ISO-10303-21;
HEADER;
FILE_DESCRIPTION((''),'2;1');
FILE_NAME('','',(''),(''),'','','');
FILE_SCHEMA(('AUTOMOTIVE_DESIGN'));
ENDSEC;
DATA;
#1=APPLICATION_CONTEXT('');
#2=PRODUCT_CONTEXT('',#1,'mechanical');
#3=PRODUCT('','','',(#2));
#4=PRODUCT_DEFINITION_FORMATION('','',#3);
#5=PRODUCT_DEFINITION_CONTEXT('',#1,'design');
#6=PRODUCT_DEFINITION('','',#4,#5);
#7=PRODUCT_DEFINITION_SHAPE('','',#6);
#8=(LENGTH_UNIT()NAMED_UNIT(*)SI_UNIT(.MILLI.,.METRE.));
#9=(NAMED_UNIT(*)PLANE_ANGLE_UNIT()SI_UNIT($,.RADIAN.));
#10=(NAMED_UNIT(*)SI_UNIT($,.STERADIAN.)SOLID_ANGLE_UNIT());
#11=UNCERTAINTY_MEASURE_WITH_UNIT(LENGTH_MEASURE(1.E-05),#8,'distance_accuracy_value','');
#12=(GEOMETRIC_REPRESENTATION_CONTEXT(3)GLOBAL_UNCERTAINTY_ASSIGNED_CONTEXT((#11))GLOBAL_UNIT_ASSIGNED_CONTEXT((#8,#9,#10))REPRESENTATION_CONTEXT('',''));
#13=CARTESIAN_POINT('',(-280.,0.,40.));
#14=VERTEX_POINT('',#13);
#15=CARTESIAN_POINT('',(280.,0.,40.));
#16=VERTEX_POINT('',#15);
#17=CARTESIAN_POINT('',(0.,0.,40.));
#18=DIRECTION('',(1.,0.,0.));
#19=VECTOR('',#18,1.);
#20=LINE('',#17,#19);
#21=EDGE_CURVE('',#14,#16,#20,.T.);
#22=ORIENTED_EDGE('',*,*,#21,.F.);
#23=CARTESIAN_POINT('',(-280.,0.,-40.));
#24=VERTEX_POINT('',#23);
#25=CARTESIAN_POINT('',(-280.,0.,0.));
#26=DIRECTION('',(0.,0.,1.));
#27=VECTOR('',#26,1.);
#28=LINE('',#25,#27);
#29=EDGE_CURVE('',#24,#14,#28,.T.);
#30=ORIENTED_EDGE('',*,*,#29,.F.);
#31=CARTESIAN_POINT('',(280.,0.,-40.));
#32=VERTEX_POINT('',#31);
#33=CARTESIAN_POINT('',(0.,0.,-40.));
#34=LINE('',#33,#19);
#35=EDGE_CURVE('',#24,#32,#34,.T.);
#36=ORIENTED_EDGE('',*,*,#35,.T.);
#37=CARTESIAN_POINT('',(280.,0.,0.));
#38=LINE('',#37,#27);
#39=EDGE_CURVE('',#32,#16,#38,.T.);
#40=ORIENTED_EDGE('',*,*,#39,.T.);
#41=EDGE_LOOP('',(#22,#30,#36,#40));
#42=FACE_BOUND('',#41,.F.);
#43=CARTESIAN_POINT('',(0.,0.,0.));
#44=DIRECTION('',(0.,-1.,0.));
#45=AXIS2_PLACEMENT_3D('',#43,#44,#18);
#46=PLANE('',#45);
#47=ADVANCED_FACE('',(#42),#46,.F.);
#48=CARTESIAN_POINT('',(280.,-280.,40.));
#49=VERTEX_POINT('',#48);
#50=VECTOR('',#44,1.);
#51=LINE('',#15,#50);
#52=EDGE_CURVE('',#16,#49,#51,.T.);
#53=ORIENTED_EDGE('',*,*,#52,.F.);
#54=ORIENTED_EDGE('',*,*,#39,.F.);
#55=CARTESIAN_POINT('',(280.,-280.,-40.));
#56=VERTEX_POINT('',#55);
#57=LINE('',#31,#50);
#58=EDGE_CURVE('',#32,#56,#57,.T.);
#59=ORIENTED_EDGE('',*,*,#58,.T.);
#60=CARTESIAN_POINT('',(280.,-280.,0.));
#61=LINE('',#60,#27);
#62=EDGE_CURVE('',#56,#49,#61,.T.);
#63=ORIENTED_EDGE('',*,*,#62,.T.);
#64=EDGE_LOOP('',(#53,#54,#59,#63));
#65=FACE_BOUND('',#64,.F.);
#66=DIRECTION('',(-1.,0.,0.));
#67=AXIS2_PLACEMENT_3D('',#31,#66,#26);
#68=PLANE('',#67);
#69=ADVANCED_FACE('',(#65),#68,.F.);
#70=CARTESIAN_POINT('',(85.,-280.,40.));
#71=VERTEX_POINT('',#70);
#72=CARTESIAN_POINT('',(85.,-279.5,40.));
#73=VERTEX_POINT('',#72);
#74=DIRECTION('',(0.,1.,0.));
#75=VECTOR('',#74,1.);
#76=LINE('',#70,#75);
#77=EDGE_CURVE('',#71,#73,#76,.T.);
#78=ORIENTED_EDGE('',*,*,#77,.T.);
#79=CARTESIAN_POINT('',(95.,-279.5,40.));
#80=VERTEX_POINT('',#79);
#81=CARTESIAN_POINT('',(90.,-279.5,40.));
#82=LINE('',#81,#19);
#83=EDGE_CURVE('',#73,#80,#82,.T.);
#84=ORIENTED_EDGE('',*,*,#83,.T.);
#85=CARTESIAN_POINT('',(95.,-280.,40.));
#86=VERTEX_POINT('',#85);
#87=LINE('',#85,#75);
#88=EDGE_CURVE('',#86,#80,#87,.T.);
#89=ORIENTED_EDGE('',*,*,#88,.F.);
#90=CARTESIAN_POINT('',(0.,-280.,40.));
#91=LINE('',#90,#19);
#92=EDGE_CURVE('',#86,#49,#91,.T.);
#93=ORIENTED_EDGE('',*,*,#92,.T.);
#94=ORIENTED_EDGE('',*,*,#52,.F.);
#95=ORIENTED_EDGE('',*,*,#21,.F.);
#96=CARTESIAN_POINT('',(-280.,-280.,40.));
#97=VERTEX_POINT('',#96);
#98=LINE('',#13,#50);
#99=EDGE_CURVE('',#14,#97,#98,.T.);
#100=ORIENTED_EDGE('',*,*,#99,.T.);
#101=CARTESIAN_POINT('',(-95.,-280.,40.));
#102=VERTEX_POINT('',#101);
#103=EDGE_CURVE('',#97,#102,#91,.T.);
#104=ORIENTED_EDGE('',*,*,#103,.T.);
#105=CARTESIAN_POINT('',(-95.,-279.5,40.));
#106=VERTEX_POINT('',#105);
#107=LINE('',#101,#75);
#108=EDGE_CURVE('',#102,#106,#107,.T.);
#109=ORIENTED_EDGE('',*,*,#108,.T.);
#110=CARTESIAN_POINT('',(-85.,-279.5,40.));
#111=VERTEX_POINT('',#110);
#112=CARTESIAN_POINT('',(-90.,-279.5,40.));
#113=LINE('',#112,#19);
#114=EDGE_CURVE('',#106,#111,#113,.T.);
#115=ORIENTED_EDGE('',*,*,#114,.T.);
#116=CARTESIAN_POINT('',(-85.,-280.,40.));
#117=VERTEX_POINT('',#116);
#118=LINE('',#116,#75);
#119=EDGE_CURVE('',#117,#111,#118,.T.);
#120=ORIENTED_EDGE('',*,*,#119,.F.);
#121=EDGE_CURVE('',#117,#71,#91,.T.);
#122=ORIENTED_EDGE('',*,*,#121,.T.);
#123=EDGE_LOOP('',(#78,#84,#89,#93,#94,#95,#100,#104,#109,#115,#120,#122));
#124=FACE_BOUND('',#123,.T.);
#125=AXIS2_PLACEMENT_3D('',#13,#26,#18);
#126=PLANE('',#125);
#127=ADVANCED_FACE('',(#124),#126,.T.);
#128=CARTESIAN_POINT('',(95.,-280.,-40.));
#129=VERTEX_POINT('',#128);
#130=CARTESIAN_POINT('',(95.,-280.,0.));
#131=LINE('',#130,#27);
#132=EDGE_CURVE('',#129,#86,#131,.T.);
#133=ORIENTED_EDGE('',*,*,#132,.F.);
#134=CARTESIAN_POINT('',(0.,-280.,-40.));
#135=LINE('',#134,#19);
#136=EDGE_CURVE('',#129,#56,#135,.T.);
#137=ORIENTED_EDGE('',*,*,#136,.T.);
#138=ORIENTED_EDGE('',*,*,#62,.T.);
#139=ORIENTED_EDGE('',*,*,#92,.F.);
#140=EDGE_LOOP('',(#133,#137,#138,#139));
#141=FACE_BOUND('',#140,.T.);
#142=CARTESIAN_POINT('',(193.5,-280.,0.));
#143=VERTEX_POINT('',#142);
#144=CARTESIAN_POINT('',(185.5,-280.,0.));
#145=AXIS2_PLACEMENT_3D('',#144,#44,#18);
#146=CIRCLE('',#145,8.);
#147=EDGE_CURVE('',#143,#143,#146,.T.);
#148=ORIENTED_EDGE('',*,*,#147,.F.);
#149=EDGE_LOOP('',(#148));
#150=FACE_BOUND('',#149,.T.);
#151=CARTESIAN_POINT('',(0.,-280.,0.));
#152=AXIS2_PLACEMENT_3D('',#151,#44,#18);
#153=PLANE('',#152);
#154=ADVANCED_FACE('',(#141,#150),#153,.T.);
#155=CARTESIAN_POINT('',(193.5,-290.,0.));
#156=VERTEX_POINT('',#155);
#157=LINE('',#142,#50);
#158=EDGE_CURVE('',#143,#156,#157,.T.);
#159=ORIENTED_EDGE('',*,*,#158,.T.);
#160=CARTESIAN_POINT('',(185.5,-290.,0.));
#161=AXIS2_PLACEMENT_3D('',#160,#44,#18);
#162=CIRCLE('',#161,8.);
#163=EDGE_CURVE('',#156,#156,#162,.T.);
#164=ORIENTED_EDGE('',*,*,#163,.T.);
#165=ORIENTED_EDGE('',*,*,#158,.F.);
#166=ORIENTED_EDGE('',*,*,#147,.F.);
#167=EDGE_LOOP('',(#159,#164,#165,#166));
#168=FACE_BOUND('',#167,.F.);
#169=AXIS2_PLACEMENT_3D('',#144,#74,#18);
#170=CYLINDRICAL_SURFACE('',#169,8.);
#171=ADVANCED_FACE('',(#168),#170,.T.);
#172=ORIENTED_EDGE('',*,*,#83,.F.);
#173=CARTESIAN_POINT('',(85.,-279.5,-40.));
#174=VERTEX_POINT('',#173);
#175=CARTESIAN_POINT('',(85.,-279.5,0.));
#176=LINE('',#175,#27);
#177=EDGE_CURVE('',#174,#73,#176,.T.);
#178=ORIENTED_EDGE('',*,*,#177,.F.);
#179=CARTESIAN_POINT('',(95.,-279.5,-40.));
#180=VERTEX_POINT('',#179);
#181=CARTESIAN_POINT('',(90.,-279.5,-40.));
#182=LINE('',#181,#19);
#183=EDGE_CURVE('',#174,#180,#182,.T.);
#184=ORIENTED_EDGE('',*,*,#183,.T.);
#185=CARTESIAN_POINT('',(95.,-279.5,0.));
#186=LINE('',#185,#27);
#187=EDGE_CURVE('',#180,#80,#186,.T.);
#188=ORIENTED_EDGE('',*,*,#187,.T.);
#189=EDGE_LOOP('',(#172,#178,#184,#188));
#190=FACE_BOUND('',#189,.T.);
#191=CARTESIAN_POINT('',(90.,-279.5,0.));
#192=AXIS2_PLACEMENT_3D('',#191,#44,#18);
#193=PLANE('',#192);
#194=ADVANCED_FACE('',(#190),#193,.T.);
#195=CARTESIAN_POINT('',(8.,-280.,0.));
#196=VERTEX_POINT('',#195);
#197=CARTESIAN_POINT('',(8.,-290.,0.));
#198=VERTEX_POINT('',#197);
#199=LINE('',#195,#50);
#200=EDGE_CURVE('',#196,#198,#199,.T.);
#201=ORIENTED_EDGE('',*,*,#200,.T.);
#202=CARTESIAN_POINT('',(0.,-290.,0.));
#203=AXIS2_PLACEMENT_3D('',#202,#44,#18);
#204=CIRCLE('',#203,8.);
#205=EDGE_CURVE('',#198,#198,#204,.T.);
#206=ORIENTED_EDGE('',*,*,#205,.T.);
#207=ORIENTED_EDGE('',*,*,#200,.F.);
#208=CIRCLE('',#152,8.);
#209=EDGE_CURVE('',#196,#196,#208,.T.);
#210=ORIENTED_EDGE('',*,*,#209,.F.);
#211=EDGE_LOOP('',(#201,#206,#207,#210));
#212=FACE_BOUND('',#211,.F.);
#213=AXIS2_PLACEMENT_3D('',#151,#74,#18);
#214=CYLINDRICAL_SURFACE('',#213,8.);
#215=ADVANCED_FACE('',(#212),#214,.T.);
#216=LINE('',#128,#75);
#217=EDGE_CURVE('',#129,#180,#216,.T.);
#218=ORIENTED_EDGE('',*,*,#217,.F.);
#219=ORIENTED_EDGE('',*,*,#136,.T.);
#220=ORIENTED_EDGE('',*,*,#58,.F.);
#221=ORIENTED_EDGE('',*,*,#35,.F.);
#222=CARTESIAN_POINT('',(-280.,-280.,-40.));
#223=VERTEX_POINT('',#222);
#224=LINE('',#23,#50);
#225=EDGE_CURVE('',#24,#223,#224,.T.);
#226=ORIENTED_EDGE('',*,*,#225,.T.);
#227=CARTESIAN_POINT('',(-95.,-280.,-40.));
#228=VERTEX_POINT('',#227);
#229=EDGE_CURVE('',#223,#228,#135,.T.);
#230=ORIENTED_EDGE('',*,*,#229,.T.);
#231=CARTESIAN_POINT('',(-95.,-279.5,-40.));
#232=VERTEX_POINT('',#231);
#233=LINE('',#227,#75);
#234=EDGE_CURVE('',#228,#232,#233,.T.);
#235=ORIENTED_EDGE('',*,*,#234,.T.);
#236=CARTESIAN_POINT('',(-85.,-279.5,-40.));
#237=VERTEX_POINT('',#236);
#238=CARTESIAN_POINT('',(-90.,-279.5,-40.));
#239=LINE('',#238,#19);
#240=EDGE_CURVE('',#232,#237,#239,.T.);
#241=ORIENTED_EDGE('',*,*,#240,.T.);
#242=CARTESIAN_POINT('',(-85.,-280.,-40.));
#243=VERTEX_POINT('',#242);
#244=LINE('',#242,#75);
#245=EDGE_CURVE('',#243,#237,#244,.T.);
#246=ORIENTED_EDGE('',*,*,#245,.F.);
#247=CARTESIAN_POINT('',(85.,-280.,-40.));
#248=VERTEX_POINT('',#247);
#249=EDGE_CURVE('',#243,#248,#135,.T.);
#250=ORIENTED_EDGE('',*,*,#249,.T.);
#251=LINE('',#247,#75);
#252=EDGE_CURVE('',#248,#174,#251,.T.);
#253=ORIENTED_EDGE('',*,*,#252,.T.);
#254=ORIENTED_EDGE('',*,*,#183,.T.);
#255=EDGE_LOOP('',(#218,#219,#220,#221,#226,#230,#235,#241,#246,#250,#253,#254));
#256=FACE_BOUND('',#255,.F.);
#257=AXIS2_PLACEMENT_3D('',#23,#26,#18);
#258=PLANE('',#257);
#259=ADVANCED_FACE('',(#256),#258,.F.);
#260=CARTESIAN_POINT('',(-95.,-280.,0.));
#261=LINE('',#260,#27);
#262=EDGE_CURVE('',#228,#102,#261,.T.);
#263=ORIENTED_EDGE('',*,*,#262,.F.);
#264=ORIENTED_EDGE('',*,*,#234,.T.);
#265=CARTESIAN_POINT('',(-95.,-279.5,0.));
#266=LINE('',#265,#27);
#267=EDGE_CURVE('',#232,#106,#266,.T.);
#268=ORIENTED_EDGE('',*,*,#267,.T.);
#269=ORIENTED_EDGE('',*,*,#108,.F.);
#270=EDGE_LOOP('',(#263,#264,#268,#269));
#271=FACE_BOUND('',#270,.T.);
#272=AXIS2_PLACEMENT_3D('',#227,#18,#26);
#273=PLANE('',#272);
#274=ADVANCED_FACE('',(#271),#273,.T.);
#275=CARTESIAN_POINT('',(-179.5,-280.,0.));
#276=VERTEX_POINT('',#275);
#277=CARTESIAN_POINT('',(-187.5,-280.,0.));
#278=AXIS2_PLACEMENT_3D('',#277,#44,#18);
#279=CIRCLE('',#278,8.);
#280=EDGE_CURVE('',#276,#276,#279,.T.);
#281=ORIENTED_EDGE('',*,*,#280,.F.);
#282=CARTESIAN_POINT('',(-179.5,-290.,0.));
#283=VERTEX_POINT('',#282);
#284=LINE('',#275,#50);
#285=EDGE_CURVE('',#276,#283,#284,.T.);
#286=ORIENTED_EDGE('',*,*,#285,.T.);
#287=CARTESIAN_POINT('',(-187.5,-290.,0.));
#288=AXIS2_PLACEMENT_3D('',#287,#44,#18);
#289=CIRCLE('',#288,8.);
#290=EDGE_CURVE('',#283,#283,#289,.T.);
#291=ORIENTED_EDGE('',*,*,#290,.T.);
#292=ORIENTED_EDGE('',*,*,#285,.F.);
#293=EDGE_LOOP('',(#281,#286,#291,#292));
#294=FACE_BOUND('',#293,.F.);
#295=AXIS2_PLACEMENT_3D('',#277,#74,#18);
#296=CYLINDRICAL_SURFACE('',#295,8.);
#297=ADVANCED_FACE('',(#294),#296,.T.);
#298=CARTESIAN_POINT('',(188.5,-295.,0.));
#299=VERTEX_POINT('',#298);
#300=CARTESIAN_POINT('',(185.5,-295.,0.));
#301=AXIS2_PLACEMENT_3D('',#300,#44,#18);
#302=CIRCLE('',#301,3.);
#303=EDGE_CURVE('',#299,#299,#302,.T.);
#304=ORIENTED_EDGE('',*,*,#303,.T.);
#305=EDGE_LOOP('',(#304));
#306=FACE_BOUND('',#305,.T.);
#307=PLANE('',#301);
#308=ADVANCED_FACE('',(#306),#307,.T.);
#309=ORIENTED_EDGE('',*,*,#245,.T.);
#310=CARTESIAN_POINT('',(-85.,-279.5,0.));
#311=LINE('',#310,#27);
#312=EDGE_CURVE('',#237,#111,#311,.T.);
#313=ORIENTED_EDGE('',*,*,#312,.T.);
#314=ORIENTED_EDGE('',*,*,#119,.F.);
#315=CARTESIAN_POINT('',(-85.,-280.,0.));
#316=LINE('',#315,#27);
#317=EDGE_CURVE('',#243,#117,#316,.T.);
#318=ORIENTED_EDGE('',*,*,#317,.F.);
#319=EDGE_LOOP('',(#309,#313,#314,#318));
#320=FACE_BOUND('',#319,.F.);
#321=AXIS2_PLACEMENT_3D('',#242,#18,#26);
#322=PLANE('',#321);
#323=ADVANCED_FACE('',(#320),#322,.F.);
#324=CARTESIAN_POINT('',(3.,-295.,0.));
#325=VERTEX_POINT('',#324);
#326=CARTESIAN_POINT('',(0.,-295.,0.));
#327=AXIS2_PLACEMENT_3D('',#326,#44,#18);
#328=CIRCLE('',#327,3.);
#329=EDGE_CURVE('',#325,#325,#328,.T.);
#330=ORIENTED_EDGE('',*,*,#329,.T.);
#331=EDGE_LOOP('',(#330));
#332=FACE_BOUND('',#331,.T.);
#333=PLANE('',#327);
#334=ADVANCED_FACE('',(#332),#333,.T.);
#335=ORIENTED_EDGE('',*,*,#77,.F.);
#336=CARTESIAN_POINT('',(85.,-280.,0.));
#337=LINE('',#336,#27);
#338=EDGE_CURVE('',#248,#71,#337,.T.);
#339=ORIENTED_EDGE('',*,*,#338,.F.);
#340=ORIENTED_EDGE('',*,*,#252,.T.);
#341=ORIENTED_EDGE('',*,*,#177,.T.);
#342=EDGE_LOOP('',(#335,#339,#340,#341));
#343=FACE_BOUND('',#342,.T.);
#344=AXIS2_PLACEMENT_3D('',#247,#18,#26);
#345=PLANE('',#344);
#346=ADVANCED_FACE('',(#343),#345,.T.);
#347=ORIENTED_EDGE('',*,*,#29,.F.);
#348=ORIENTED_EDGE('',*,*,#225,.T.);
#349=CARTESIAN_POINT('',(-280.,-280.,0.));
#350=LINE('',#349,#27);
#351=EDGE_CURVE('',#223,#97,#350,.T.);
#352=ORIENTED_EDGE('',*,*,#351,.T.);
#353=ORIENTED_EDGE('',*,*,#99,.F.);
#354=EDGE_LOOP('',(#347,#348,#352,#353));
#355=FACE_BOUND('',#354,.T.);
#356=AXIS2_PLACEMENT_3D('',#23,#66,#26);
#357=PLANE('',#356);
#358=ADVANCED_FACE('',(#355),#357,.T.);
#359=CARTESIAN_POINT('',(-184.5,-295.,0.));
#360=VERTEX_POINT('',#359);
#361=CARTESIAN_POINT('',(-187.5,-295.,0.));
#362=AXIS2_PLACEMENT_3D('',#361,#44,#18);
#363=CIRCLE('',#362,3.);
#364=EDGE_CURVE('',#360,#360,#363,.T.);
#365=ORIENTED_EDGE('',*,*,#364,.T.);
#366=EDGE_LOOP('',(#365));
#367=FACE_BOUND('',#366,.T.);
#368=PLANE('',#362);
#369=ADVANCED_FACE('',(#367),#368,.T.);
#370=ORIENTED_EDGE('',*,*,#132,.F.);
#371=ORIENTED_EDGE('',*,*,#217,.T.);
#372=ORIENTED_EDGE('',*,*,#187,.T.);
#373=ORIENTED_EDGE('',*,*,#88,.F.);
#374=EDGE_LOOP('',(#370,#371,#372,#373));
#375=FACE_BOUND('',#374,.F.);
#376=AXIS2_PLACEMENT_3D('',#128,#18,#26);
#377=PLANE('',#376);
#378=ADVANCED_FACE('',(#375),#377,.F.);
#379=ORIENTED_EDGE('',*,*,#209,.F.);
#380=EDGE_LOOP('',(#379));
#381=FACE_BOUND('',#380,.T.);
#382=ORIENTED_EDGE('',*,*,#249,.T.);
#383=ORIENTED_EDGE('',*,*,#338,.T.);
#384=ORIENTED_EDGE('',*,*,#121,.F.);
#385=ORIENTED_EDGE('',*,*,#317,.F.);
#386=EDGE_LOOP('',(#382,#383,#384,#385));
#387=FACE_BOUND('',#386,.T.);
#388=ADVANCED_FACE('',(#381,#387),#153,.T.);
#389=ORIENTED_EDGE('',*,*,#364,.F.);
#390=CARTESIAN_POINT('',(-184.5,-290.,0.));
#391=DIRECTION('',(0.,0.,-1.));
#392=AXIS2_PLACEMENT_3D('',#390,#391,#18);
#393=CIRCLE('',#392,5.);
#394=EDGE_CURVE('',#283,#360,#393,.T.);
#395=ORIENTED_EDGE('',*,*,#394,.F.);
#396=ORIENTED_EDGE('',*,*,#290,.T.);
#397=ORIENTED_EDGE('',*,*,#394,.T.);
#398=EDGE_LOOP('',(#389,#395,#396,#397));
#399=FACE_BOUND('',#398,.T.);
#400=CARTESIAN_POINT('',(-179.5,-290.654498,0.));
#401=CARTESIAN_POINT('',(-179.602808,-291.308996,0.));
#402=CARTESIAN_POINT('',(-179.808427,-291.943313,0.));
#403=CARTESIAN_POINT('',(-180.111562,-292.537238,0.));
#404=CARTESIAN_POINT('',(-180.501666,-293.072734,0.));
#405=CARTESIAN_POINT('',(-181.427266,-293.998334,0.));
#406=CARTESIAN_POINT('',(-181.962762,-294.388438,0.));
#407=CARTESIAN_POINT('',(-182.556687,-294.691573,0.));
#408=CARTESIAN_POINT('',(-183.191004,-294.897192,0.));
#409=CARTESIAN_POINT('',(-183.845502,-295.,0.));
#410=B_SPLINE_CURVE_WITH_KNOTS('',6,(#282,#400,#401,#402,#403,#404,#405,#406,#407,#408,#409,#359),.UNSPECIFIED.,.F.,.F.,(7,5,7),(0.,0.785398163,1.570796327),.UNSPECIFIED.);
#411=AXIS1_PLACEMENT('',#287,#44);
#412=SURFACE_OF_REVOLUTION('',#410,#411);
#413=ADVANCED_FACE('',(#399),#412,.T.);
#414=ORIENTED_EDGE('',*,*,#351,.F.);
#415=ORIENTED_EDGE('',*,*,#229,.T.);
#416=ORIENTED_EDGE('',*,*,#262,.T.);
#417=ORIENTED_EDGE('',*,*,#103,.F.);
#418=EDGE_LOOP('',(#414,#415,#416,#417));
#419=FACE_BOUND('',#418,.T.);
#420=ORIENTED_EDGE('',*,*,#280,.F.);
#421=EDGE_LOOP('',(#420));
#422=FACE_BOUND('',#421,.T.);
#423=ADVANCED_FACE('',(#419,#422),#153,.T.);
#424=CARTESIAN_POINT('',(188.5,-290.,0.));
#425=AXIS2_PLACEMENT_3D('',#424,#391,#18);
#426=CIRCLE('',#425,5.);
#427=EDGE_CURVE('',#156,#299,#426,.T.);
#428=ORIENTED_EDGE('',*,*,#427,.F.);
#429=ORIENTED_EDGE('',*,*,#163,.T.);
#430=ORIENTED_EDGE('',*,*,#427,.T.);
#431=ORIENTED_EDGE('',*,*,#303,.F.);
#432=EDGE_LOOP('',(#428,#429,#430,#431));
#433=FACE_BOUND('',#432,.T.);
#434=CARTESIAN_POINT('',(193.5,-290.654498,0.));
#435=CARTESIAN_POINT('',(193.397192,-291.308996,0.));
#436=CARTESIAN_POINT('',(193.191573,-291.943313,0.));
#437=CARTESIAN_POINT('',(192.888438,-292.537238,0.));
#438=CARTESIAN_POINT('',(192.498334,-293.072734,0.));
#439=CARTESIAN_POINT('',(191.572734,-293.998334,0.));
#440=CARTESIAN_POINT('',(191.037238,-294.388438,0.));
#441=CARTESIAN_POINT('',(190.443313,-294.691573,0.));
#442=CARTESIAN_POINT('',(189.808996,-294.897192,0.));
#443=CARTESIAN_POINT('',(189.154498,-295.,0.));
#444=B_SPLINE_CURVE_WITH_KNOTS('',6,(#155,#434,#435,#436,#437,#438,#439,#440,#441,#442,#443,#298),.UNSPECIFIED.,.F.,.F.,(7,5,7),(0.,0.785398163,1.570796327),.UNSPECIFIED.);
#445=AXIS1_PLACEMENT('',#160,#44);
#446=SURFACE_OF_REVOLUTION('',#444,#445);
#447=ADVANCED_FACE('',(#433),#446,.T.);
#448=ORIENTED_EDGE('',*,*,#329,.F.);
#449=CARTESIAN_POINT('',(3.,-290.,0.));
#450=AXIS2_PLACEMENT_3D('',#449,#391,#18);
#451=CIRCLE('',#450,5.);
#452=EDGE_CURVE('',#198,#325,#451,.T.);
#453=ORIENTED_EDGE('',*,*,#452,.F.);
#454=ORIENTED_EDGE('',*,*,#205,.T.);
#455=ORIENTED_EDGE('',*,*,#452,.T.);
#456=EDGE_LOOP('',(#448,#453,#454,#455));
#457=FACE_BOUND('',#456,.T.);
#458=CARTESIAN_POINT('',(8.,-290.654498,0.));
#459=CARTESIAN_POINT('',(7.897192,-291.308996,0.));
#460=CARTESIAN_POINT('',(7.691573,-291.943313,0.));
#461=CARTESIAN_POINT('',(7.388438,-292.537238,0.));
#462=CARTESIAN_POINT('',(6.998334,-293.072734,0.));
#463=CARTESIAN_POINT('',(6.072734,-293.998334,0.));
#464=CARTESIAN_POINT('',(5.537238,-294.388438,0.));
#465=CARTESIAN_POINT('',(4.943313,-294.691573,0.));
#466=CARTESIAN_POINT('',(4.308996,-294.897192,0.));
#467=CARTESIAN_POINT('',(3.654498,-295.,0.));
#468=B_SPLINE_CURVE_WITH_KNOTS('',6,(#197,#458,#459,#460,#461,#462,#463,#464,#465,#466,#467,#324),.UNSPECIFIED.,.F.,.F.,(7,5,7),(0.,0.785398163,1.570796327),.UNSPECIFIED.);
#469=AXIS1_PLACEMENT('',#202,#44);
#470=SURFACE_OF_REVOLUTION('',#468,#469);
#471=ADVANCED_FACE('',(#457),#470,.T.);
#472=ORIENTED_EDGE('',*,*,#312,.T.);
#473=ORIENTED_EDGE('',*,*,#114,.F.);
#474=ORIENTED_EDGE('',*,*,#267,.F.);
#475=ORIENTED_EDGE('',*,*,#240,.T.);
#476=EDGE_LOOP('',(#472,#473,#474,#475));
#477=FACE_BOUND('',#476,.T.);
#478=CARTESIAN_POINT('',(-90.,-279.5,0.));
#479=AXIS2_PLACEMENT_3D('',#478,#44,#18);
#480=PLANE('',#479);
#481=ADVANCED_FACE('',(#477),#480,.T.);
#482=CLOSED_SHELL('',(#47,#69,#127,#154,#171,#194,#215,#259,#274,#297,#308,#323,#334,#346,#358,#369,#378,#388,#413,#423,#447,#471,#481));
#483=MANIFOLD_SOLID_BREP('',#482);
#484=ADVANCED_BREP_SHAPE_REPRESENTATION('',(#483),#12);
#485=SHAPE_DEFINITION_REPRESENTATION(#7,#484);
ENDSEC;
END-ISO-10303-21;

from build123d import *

# Parameters (mm, degrees)
F0_W     = 560
F0_H     = 80
F1_DEPTH = 280
F2_W     = 10
F2_H     = 80
F3_DEPTH = 0.5
F4_R     = 8
F5_DEPTH = 15
F6_R     = 5


with BuildPart() as f1:
    # F0 (on Front) → F1 (new body)
    with BuildSketch(Plane.XZ):
        Rectangle(F0_W, F0_H)
    extrude(amount=F1_DEPTH)

    # F2 (on face) → F3 (cut)
    with BuildSketch(Plane.XZ.offset(280)):
        with Locations((-90, 0)):
            Rectangle(F2_W, F2_H)
        with Locations((90, 0)):
            Rectangle(F2_W, F2_H)
    extrude(amount=-F3_DEPTH, mode=Mode.SUBTRACT)

    # F4 (on face) → F5 (join)
    with BuildSketch(Plane.XZ.offset(280)):
        with Locations((-187.5, 0)):
            Circle(F4_R)
        Circle(F4_R)
        with Locations((185.5, 0)):
            Circle(F4_R)
    extrude(amount=F5_DEPTH)

    # F6
    f6_edges = [f1.edges().sort_by_distance(p)[0] for p in [
        (-195.5, -295, 0),
        (-8, -295, 0),
        (177.5, -295, 0),
    ]]
    fillet(f6_edges, radius=F6_R)


solid = f1.part
